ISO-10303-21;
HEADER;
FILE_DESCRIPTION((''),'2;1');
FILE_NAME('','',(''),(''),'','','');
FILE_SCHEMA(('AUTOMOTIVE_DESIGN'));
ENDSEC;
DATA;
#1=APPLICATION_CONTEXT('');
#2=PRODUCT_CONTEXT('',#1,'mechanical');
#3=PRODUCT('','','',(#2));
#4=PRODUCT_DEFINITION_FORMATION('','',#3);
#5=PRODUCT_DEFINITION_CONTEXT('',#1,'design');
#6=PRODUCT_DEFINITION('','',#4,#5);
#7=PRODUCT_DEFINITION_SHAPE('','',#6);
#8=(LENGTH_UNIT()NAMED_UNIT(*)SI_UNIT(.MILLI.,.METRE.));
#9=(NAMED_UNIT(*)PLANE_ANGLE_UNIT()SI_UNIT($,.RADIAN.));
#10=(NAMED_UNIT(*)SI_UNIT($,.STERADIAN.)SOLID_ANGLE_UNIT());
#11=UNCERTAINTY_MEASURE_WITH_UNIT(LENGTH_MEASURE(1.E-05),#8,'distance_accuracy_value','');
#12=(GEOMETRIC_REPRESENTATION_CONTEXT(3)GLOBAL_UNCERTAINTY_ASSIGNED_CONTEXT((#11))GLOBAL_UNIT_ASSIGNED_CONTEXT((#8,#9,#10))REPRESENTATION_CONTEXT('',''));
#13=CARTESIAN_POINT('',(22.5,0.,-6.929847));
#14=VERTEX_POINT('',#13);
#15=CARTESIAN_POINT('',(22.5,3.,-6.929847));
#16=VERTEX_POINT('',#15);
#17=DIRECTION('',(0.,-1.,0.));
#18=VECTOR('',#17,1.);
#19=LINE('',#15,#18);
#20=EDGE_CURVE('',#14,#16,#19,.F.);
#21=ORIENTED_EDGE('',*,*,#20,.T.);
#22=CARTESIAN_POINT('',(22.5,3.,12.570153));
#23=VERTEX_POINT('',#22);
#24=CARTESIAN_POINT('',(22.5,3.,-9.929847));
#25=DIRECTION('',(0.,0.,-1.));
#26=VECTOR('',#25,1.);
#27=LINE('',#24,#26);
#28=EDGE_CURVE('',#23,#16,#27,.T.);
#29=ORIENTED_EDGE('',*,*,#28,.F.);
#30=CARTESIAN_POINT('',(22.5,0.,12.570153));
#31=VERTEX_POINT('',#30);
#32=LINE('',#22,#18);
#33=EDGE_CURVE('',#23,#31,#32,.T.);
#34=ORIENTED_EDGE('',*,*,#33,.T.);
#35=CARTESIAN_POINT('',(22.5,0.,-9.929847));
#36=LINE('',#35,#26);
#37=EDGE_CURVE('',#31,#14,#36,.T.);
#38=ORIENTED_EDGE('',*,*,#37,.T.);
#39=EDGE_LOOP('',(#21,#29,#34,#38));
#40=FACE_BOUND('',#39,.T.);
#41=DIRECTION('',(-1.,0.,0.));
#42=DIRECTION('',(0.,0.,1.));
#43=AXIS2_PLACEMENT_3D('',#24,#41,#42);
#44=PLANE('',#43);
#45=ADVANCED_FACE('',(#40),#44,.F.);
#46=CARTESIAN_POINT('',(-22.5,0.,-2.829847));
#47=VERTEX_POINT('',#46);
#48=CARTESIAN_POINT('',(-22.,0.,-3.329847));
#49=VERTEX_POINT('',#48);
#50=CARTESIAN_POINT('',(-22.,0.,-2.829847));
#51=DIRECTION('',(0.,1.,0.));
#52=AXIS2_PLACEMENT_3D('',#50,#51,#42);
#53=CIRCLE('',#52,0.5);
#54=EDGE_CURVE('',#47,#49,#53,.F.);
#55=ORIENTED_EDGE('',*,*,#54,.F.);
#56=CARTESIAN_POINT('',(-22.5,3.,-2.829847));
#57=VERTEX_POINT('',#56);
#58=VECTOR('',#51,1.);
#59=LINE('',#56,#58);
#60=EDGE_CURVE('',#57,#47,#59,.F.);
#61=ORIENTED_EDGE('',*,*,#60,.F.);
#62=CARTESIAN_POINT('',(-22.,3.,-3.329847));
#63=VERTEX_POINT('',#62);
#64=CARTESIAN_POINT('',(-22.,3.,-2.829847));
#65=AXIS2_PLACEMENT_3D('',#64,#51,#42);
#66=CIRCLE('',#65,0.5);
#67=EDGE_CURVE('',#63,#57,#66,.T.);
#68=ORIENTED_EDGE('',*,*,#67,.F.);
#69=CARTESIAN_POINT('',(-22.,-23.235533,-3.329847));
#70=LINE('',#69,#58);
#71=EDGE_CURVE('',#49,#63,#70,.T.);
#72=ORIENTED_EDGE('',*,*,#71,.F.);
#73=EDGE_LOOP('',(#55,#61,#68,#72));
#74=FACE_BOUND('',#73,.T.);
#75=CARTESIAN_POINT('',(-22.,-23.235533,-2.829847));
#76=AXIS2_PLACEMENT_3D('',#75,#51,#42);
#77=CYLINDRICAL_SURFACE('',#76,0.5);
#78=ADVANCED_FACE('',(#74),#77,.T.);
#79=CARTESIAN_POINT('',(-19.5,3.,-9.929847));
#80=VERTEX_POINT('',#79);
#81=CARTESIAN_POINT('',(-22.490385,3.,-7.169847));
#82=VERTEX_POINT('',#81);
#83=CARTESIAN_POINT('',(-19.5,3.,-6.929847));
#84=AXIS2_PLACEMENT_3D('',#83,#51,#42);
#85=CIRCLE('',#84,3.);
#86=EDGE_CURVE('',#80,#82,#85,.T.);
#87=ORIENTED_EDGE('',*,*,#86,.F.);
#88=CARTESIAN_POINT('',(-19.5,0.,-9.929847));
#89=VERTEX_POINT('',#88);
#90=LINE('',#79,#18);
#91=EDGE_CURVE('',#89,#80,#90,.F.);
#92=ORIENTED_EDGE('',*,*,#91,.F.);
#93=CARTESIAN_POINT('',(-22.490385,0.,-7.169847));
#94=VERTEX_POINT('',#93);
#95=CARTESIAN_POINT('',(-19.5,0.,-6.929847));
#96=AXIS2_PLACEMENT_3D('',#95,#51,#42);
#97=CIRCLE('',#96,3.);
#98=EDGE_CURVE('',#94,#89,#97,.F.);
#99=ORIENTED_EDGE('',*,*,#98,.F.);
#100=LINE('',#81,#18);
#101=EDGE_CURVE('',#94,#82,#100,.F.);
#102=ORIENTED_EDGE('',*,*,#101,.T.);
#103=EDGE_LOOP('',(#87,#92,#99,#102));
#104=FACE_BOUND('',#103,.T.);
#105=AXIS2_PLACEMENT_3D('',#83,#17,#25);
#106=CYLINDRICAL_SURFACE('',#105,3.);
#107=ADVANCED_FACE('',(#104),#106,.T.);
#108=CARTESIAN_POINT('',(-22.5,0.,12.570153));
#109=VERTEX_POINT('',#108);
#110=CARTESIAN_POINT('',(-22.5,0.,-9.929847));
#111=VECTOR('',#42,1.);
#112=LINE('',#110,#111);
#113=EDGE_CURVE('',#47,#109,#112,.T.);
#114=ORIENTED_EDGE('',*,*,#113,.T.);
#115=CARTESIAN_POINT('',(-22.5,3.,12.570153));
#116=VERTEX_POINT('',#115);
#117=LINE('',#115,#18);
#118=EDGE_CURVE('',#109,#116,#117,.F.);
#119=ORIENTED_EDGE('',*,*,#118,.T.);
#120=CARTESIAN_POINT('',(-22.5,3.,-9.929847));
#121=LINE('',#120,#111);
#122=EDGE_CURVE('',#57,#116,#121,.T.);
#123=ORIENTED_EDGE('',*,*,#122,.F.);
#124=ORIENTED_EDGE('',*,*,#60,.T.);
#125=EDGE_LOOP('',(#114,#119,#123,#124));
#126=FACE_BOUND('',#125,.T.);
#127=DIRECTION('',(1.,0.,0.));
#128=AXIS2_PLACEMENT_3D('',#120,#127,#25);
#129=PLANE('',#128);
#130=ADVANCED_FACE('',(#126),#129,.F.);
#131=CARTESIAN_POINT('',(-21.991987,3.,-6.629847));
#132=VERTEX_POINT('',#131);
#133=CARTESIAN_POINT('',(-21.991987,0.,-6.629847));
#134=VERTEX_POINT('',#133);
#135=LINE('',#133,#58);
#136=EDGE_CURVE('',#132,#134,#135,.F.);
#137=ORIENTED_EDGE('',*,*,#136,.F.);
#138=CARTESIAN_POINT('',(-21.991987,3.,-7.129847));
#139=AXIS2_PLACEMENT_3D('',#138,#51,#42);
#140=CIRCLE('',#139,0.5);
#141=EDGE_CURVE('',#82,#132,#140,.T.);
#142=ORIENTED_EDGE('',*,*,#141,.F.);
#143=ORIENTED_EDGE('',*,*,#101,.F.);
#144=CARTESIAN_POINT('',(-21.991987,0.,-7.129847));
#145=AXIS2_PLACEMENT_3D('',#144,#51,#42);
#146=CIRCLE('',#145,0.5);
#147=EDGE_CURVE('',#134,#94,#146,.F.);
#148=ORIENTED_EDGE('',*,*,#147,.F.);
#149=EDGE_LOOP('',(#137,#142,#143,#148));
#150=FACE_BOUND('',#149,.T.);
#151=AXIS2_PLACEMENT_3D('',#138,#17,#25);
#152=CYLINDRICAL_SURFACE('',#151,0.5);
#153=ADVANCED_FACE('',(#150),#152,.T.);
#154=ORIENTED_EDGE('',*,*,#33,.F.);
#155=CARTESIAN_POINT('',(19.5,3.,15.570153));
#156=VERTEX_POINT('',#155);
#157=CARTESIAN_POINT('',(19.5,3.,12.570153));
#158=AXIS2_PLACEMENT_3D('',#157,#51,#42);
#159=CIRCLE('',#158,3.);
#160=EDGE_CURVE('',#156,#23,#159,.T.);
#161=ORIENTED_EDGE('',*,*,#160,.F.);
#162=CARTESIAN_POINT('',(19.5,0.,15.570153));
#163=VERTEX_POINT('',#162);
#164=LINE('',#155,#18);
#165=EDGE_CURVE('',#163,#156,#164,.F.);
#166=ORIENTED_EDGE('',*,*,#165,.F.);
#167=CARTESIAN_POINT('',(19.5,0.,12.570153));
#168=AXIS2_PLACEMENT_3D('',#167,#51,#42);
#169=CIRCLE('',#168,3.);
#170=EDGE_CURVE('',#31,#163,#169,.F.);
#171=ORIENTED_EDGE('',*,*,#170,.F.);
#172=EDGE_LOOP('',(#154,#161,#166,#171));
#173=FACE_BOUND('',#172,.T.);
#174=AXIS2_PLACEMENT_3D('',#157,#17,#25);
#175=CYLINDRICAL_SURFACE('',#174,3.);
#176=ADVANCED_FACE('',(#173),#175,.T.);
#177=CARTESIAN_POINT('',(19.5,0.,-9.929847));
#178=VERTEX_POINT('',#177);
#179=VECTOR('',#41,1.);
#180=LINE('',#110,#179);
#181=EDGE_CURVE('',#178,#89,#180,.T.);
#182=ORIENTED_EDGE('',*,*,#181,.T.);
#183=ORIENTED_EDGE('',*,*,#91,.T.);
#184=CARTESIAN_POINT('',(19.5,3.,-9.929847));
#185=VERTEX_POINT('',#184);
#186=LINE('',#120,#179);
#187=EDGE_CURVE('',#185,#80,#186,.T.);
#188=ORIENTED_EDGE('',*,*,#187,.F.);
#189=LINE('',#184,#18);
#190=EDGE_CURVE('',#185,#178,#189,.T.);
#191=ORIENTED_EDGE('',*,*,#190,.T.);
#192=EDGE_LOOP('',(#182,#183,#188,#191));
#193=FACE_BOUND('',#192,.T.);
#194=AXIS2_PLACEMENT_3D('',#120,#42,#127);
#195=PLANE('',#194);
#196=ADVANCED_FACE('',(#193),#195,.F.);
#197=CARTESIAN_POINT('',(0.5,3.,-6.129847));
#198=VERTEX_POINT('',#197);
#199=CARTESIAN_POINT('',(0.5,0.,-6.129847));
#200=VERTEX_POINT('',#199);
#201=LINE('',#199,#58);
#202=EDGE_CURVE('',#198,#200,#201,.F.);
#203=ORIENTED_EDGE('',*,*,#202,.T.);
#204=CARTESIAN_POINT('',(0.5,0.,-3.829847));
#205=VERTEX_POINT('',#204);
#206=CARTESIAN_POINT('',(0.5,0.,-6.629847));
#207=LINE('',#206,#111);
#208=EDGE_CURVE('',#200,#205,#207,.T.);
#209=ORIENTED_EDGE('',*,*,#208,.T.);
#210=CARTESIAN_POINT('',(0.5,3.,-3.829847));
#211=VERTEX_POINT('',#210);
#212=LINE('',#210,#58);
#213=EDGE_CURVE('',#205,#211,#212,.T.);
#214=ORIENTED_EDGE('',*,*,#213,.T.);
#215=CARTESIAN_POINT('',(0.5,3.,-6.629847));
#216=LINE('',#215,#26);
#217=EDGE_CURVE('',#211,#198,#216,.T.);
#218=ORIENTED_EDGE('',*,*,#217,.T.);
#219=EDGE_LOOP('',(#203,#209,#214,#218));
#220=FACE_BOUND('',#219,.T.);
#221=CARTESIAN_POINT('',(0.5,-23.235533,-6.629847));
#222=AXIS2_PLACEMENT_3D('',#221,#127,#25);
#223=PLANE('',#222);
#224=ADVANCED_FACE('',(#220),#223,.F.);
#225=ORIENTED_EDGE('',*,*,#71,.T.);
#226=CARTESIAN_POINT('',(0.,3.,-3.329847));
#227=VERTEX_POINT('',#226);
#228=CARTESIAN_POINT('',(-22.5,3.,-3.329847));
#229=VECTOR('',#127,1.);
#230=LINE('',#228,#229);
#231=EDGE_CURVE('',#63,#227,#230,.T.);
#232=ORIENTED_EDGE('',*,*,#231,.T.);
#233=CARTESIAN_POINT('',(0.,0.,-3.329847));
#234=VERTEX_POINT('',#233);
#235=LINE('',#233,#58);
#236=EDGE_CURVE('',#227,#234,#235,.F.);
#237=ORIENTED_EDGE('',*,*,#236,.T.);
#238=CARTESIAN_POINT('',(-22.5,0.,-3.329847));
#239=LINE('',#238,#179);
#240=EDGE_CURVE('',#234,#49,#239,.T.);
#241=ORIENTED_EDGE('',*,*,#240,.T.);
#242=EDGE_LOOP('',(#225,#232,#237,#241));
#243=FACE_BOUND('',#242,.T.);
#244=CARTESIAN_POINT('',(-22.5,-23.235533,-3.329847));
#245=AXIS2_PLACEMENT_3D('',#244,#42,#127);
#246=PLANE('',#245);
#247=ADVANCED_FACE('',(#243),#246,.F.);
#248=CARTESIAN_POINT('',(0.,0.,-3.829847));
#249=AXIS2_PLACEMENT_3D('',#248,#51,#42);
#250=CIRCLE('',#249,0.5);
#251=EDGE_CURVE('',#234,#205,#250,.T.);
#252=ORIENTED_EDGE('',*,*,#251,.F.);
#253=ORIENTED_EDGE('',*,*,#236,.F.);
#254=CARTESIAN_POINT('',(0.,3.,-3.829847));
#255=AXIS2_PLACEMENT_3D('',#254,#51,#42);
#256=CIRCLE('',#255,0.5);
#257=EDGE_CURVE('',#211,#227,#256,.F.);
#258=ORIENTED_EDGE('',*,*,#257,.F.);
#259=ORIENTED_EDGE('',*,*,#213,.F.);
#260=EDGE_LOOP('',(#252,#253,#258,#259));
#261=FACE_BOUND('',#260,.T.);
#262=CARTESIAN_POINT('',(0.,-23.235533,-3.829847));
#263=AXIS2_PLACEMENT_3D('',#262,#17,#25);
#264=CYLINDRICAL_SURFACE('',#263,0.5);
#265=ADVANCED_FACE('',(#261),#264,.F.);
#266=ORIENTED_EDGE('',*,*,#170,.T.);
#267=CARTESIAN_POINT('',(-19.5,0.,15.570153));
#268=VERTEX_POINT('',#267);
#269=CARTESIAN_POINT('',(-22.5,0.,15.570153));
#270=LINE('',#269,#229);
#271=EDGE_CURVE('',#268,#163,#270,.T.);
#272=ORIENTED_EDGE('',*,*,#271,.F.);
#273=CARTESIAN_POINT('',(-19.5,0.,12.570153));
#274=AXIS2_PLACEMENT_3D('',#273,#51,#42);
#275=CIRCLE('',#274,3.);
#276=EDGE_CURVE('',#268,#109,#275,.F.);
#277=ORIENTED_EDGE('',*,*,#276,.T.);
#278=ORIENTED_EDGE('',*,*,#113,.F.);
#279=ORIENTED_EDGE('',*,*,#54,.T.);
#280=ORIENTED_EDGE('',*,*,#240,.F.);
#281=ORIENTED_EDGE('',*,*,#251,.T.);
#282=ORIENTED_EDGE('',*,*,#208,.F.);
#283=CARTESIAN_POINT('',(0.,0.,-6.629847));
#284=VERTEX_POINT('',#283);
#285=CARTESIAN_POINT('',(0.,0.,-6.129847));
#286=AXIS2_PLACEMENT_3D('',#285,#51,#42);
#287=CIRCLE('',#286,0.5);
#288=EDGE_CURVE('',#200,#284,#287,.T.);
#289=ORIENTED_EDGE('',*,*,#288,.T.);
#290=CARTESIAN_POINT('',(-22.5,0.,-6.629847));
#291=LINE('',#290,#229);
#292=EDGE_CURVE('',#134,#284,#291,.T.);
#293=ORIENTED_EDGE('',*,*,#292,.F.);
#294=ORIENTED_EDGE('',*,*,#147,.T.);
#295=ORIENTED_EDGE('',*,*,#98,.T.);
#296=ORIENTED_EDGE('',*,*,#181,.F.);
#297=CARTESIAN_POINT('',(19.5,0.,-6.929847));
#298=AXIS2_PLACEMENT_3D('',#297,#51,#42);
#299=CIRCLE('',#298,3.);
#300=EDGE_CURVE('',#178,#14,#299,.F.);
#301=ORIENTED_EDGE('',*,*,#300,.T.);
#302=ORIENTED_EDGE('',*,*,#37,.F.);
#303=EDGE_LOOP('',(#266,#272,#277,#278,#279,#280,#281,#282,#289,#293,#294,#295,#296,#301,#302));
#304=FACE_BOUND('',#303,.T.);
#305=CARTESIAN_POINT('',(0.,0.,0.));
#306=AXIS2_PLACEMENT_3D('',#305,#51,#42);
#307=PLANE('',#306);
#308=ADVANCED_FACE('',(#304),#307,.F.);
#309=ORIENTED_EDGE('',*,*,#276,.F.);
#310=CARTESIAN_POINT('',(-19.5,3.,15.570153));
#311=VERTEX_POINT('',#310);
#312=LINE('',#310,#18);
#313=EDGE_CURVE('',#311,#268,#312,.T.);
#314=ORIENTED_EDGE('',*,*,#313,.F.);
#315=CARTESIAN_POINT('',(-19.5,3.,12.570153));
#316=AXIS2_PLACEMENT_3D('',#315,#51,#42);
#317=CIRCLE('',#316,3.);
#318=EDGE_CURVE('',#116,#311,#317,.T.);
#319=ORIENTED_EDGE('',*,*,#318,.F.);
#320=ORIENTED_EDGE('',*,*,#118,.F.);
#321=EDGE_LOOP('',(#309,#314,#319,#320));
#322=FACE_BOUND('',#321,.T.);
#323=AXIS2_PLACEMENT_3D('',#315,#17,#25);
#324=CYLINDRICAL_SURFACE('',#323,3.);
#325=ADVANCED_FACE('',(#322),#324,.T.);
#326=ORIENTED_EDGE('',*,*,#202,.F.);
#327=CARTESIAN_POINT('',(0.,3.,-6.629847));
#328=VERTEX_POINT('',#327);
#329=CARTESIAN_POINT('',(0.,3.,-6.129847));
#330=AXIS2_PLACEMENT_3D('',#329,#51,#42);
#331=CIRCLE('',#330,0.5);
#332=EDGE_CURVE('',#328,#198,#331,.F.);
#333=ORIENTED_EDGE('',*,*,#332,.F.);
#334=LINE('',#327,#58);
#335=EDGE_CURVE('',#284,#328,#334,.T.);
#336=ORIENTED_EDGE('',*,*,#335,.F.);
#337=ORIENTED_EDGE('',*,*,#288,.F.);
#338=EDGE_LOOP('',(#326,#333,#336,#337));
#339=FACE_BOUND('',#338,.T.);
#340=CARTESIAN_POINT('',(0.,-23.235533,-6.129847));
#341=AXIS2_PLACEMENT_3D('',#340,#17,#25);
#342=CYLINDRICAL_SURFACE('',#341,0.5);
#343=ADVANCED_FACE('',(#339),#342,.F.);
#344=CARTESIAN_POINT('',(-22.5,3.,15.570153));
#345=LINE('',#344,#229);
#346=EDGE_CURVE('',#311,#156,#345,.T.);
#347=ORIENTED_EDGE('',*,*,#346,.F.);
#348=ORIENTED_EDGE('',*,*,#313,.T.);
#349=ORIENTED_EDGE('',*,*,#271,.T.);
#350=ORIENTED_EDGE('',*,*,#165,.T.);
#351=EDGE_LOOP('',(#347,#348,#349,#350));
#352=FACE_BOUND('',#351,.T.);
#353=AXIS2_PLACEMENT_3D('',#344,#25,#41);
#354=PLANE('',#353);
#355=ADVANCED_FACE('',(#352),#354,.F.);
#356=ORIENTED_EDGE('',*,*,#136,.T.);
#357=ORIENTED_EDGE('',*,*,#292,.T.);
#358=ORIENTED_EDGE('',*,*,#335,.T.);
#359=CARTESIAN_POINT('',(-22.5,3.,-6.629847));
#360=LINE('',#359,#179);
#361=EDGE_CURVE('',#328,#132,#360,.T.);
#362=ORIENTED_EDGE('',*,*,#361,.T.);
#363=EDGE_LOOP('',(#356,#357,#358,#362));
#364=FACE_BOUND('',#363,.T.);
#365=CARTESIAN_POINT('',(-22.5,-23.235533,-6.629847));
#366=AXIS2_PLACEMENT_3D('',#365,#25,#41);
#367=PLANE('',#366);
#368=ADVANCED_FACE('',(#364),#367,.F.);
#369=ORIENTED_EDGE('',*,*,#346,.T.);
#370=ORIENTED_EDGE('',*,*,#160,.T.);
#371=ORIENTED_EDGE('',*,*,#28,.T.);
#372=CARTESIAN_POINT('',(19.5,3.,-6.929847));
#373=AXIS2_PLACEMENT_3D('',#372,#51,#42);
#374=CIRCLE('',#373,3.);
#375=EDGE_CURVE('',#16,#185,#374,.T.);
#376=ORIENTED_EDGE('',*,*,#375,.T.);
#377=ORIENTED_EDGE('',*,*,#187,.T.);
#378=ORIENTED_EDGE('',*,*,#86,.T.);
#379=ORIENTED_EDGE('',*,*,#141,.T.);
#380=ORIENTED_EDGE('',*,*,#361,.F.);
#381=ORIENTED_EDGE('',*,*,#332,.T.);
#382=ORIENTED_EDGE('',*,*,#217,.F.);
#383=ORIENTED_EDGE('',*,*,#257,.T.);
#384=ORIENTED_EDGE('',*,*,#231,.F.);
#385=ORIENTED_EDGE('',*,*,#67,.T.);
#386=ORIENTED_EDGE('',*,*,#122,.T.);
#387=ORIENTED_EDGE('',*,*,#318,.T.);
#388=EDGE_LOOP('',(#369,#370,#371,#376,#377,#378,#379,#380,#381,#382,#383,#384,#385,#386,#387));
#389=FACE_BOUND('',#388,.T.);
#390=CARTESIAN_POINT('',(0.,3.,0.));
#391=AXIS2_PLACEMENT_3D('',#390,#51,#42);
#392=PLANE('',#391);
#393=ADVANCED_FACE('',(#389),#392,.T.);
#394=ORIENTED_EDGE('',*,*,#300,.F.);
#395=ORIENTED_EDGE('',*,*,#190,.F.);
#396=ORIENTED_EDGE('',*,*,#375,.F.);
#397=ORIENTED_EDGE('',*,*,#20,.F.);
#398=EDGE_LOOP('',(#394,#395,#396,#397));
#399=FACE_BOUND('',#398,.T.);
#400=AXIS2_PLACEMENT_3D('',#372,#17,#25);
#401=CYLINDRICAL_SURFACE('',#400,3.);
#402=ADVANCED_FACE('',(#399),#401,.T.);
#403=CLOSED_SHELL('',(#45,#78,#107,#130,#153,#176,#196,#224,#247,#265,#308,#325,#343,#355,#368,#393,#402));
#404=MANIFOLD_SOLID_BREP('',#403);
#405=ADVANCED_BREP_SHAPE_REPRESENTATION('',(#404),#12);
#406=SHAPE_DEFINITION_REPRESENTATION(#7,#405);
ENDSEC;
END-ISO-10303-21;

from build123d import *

# Parameters (mm, degrees)
CROQUIS1_W              = 45
CROQUIS1_H              = 25.5
SALIENTE_EXTRUIR1_DEPTH = 3
CROQUIS2_W              = 23
CROQUIS2_H              = 3.3
CORTAR_EXTRUIR1_DEPTH   = 3
REDONDEO1_R             = 3
REDONDEO4_R             = 0.5


with BuildPart() as part:
    # Croquis1 → Saliente-Extruir1 (new body)
    with BuildSketch(Plane(origin=(0, 0, 0), x_dir=(1, 0, 0), z_dir=(0, 1, 0))):
        with Locations((0, -2.820152791)):
            Rectangle(CROQUIS1_W, CROQUIS1_H)
    extrude(amount=SALIENTE_EXTRUIR1_DEPTH)

    # Croquis2 → Cortar-Extruir1 (cut)
    with BuildSketch(Plane(origin=(0, 3, 0), x_dir=(1, 0, 0), z_dir=(0, 1, 0))):
        with Locations((-11, 4.979847209)):
            Rectangle(CROQUIS2_W, CROQUIS2_H)
    extrude(amount=-CORTAR_EXTRUIR1_DEPTH, mode=Mode.SUBTRACT)

    # Redondeo1
    redondeo1_edges = [part.edges().sort_by_distance(p)[0] for p in [
        (-22.5, 1.5, -9.929847209),
        (22.5, 1.5, -9.929847209),
        (22.5, 1.5, 15.570152791),
        (-22.5, 1.5, 15.570152791),
    ]]
    fillet(redondeo1_edges, radius=REDONDEO1_R)

    # Redondeo4
    redondeo4_edges = [part.edges().sort_by_distance(p)[0] for p in [
        (-22.5, 1.5, -3.329847209),
        (0.5, 1.5, -3.329847209),
        (0.5, 1.5, -6.629847209),
        (-22.5, 1.5, -6.629847209),
    ]]
    fillet(redondeo4_edges, radius=REDONDEO4_R)


solid = part.part
